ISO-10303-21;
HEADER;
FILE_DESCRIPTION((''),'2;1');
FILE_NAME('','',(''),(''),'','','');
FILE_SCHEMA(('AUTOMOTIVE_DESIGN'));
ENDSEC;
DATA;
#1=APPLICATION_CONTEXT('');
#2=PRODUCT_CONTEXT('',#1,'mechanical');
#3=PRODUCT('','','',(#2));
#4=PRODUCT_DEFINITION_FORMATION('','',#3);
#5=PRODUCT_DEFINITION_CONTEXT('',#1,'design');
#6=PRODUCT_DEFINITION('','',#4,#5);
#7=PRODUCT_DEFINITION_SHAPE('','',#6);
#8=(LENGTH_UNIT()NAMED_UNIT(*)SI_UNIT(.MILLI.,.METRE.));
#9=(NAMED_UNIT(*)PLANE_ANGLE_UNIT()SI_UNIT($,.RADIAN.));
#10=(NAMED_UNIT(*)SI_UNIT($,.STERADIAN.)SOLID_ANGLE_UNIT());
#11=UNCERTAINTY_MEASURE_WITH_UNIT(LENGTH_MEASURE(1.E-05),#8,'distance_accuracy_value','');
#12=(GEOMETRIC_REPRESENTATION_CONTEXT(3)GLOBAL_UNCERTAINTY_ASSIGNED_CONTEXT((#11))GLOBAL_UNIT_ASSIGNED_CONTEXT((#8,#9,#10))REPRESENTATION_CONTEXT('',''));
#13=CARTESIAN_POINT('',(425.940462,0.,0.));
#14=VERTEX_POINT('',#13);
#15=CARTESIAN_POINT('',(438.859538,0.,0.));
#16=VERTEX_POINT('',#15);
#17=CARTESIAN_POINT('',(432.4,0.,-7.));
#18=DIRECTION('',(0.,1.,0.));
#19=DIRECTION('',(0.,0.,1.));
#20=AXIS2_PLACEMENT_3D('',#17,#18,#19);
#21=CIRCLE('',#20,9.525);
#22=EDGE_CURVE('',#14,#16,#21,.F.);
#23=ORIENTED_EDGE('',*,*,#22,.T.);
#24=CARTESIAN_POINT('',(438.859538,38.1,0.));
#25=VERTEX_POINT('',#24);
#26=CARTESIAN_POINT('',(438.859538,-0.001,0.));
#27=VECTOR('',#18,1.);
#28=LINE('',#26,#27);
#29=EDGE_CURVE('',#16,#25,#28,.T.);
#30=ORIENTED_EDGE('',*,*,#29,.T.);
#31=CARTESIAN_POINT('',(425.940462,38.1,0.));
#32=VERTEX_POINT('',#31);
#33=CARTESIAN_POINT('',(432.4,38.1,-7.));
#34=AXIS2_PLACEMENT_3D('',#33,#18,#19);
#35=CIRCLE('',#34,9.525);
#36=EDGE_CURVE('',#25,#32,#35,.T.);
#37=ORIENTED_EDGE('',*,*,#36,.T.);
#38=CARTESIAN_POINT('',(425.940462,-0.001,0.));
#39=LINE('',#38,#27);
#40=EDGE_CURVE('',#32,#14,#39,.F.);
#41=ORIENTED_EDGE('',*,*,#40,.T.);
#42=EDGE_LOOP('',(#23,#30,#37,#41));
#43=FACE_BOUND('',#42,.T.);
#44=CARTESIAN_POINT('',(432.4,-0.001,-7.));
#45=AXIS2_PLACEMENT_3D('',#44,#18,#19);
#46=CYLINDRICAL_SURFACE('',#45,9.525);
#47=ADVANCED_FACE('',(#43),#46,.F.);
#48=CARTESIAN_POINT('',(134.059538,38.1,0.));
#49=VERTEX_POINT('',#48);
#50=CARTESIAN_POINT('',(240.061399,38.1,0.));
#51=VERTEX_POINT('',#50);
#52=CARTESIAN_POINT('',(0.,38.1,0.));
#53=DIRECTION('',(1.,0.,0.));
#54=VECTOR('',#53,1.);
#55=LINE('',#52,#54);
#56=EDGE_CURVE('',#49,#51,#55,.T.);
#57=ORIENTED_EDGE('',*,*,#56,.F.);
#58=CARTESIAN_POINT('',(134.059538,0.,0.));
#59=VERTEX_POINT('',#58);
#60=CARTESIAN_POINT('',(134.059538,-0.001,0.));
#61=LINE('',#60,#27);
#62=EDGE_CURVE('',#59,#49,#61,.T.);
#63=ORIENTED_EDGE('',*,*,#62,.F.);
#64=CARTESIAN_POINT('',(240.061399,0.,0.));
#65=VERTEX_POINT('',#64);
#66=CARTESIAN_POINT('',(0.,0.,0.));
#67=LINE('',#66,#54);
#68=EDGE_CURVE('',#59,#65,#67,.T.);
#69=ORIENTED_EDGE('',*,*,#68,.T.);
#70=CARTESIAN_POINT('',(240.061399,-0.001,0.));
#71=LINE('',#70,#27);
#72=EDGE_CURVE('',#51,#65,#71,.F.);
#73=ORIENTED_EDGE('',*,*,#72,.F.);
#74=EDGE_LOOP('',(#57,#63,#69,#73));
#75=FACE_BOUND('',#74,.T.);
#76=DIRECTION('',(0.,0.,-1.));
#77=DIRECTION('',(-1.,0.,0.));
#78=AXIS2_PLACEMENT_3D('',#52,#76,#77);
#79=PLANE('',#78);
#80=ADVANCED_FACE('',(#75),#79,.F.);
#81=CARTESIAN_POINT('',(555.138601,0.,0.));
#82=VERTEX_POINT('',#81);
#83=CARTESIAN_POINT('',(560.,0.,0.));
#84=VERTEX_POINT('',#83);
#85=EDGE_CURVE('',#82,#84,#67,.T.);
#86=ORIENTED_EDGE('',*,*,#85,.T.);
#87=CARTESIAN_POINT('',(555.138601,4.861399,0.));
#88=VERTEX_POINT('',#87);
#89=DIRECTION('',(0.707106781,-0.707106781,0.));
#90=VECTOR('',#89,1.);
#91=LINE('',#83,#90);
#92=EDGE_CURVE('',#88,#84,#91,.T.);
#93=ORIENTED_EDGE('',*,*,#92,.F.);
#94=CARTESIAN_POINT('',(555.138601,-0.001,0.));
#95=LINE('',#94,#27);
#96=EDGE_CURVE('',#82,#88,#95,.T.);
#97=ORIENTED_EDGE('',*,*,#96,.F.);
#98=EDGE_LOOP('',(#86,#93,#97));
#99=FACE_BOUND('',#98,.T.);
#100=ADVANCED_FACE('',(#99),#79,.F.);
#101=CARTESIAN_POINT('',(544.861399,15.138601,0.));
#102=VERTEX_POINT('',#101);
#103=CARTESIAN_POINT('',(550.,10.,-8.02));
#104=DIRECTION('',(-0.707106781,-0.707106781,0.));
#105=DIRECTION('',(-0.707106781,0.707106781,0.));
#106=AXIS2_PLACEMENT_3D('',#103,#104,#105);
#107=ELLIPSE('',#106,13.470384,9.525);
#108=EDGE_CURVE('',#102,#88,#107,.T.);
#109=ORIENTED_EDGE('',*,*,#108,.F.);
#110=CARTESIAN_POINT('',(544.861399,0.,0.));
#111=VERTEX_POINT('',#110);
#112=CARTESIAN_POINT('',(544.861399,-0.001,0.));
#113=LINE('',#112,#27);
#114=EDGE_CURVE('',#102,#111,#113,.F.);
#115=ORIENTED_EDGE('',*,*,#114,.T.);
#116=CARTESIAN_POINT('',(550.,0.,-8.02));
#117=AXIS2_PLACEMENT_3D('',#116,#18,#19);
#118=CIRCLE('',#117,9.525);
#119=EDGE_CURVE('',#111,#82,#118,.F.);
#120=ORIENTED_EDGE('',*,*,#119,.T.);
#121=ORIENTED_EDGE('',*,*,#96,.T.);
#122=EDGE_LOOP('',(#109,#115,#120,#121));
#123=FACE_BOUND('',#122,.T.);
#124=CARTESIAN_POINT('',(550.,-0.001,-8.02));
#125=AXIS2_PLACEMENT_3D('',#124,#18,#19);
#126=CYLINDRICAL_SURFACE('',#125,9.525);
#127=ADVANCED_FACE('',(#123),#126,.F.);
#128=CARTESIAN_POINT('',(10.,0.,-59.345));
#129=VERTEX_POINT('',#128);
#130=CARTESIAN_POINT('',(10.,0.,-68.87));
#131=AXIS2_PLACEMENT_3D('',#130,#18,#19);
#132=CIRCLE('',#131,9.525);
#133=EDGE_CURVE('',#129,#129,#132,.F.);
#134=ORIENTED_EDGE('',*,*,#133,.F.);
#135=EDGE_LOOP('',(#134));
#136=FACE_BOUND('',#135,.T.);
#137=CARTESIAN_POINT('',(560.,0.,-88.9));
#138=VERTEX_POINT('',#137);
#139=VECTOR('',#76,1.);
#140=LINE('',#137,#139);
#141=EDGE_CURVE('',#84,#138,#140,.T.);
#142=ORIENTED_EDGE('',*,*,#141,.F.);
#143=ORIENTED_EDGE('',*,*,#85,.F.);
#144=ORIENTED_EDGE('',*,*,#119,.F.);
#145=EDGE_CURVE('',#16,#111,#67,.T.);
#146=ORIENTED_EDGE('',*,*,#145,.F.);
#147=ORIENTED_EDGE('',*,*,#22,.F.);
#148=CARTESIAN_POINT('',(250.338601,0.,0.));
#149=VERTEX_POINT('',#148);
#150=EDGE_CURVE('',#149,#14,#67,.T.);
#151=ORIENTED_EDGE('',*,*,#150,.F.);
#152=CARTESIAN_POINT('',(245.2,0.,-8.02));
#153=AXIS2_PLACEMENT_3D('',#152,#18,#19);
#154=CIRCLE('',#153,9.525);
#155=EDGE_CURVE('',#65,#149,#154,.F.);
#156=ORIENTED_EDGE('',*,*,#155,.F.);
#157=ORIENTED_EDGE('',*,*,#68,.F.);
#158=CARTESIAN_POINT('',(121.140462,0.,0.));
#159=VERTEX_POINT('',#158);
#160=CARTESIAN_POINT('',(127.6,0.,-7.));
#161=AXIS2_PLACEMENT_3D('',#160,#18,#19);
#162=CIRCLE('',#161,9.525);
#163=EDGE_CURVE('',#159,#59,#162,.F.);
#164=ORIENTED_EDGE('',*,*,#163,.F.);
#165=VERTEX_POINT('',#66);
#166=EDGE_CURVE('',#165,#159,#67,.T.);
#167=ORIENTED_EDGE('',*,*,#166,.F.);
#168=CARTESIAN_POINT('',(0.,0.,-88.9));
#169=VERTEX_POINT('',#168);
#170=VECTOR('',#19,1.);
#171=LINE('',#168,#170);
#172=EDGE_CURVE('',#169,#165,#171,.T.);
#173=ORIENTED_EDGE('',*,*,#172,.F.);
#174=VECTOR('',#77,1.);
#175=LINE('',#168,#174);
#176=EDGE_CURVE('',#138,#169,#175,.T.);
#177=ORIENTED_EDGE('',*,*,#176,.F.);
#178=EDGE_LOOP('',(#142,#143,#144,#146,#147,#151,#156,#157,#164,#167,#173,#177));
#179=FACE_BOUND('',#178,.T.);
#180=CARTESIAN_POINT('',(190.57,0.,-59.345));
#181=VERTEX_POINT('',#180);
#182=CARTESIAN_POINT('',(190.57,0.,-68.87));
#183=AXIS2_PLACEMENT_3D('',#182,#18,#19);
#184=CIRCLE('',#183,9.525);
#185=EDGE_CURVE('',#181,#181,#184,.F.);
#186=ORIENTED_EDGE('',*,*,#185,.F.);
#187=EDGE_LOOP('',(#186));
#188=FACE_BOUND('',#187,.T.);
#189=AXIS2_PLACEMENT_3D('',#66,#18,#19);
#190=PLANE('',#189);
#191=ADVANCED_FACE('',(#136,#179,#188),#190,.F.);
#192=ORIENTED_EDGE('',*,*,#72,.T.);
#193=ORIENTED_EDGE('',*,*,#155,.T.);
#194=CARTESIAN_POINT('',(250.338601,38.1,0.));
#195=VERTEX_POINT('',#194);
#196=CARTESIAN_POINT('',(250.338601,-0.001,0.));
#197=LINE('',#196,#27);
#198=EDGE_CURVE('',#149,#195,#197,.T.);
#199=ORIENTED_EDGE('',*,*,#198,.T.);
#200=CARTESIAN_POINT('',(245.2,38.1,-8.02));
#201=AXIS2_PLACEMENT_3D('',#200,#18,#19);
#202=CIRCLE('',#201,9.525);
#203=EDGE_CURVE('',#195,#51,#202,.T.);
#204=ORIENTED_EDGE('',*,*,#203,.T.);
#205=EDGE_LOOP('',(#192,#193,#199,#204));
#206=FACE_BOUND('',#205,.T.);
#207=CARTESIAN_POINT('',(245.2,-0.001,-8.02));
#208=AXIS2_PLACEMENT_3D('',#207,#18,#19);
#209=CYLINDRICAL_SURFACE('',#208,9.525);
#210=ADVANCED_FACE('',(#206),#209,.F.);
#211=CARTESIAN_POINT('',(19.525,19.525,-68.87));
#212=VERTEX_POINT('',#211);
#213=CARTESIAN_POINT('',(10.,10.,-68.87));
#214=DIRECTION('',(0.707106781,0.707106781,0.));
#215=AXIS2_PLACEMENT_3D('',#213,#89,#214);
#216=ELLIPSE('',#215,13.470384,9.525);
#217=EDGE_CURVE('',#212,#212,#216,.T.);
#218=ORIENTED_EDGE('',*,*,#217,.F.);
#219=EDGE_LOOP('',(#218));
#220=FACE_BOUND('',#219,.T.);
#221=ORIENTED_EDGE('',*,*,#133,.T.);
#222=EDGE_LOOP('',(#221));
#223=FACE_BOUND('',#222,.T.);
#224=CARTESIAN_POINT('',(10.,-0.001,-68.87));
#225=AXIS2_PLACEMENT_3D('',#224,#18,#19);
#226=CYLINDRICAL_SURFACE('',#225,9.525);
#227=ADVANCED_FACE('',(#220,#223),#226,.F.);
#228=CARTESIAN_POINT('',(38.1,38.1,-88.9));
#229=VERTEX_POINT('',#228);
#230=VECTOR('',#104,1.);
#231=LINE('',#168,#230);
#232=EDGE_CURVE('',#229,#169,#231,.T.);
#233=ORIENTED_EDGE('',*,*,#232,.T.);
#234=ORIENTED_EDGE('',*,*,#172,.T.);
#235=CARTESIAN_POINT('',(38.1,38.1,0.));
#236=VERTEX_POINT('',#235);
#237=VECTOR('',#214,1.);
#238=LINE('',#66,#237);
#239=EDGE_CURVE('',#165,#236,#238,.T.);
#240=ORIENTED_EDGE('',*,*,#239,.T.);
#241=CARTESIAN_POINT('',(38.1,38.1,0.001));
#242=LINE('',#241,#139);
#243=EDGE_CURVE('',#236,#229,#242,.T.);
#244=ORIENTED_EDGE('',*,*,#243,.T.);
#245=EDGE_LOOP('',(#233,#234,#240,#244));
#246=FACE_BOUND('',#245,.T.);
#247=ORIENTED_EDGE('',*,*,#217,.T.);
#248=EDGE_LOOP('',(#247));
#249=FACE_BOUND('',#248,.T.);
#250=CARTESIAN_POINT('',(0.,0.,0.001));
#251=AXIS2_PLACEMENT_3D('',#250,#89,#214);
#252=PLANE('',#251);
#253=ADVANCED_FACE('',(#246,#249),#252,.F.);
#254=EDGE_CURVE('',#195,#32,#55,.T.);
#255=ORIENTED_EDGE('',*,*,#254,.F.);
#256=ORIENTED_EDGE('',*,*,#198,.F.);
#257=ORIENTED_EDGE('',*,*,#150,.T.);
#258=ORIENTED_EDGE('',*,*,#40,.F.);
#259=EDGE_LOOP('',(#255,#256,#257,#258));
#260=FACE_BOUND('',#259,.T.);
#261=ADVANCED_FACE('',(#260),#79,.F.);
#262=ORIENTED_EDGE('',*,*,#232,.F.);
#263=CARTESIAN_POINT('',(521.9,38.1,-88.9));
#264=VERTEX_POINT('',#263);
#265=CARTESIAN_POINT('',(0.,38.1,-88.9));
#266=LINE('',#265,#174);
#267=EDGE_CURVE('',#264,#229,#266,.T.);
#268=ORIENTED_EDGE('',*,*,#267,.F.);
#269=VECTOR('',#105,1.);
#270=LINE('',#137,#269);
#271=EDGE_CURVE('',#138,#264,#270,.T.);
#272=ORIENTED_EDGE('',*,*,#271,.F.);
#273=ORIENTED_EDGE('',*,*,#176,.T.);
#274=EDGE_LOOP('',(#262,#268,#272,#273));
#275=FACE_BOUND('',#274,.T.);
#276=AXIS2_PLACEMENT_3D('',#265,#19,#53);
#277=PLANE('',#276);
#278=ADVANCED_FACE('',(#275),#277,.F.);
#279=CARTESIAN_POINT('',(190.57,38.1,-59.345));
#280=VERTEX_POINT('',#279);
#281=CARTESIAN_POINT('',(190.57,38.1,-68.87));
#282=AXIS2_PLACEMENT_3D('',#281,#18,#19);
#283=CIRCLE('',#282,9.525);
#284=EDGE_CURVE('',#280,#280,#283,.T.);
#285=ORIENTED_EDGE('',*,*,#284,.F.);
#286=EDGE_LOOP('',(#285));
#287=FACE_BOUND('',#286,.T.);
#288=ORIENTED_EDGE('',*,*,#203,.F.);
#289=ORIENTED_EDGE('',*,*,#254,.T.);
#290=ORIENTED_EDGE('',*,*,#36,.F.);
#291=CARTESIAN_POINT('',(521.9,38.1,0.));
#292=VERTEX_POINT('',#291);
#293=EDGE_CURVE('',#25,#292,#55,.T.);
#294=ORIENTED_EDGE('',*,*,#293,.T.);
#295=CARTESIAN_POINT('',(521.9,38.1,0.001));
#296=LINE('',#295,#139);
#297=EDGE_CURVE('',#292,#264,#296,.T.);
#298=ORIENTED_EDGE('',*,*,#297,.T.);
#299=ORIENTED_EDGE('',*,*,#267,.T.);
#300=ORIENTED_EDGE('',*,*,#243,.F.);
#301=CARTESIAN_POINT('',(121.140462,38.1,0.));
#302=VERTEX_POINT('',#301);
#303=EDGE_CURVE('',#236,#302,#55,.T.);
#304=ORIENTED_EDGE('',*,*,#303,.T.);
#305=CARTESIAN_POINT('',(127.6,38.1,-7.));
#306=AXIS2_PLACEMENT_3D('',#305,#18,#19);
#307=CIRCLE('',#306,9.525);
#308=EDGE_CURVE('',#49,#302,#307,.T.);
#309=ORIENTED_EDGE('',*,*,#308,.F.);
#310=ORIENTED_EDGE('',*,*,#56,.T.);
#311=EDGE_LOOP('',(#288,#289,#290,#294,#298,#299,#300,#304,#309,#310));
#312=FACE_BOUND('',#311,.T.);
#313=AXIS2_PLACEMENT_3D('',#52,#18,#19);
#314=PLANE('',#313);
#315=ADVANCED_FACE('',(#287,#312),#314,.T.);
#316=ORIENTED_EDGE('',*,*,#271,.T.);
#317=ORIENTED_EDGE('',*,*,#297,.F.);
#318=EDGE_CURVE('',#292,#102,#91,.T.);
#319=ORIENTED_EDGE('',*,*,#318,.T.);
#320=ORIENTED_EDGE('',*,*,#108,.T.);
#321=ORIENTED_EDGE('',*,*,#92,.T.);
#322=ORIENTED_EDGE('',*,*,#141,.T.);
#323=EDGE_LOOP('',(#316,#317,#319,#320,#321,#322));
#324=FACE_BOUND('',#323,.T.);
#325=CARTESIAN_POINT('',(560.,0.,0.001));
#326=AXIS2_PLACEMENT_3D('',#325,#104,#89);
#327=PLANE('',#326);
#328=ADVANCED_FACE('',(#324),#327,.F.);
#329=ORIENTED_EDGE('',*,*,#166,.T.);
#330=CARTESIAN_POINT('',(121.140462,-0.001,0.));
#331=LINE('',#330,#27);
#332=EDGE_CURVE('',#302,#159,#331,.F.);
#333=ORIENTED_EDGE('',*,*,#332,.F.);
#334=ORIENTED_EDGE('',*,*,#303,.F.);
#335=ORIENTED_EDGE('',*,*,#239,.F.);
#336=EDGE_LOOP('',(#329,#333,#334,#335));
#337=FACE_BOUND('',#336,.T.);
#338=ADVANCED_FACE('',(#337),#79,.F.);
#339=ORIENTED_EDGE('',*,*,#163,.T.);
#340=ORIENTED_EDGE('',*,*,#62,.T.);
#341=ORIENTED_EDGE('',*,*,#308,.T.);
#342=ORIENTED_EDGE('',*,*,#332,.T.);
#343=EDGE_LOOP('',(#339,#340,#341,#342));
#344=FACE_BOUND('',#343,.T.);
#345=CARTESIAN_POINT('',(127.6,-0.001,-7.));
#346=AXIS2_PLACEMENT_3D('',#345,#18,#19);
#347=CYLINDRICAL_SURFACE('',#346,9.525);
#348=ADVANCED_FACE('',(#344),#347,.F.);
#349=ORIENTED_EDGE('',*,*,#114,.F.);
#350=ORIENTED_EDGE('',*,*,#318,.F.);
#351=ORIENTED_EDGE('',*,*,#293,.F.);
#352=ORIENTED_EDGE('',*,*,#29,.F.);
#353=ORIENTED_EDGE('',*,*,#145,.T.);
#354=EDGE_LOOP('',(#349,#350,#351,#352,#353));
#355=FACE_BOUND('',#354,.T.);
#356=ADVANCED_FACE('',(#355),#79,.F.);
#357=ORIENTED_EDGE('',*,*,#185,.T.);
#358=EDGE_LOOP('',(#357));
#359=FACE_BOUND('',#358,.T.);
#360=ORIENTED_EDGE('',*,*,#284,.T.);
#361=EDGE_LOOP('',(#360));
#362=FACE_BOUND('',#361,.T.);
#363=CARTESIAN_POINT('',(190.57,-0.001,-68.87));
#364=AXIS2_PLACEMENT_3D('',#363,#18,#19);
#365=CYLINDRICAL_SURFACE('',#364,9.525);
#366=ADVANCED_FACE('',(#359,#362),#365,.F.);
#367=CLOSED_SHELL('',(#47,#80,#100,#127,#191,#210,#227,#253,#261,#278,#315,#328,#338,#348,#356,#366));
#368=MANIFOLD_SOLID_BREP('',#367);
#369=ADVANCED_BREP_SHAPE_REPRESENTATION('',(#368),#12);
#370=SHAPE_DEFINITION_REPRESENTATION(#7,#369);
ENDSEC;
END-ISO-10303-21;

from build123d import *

# Parameters (mm, degrees)
SKETCH1_W                   = 560
SKETCH1_H                   = 88.9
BODY_DEPTH                  = 38.1
MOUNTING_HOLE_SPACING_REACH = 570.291
SKETCH2_R                   = 9.525
CUT_EXTRUDE1_REACH          = 570.291


with BuildPart() as part:
    # Sketch1 → Body (new body)
    with BuildSketch(Plane(origin=(0, 0, 0), x_dir=(1, 0, 0), z_dir=(0, 1, 0))):
        with Locations((280, 44.45)):
            Rectangle(SKETCH1_W, SKETCH1_H)
    extrude(amount=BODY_DEPTH)

    # Sketch2 → Mounting hole spacing (cut, up to next)
    with BuildSketch(Plane(origin=(0, 38.1, 0), x_dir=(1, 0, 0), z_dir=(0, 1, 0)), mode=Mode.PRIVATE) as mounting_hole_spacing_sk1:
        with Locations((127.6, 7)):
            Circle(SKETCH2_R)
    mounting_hole_spacing_tool1 = extrude(mounting_hole_spacing_sk1.sketch, amount=-MOUNTING_HOLE_SPACING_REACH, mode=Mode.PRIVATE) & part.part
    # Sketch2 → Mounting hole spacing (cut, up to next)
    with BuildSketch(Plane(origin=(0, 38.1, 0), x_dir=(1, 0, 0), z_dir=(0, 1, 0)), mode=Mode.PRIVATE) as mounting_hole_spacing_sk2:
        with Locations(Location((190.57, 68.87, 0), (0, 0, 270))):
            Circle(SKETCH2_R)
    mounting_hole_spacing_tool2 = extrude(mounting_hole_spacing_sk2.sketch, amount=-MOUNTING_HOLE_SPACING_REACH, mode=Mode.PRIVATE) & part.part
    # Sketch2 → Mounting hole spacing (cut, up to next)
    with BuildSketch(Plane(origin=(0, 38.1, 0), x_dir=(1, 0, 0), z_dir=(0, 1, 0)), mode=Mode.PRIVATE) as mounting_hole_spacing_sk3:
        with Locations(Location((10, 68.87, 0), (0, 0, 270))):
            Circle(SKETCH2_R)
    mounting_hole_spacing_tool3 = extrude(mounting_hole_spacing_sk3.sketch, amount=-MOUNTING_HOLE_SPACING_REACH, mode=Mode.PRIVATE) & part.part
    # Sketch2 → Mounting hole spacing (cut, up to next)
    with BuildSketch(Plane(origin=(0, 38.1, 0), x_dir=(1, 0, 0), z_dir=(0, 1, 0)), mode=Mode.PRIVATE) as mounting_hole_spacing_sk4:
        with Locations((245.2, 8.02)):
            Circle(SKETCH2_R)
    mounting_hole_spacing_tool4 = extrude(mounting_hole_spacing_sk4.sketch, amount=-MOUNTING_HOLE_SPACING_REACH, mode=Mode.PRIVATE) & part.part
    # Sketch2 → Mounting hole spacing (cut, up to next)
    with BuildSketch(Plane(origin=(0, 38.1, 0), x_dir=(1, 0, 0), z_dir=(0, 1, 0)), mode=Mode.PRIVATE) as mounting_hole_spacing_sk5:
        with Locations((550, 8.02)):
            Circle(SKETCH2_R)
    mounting_hole_spacing_tool5 = extrude(mounting_hole_spacing_sk5.sketch, amount=-MOUNTING_HOLE_SPACING_REACH, mode=Mode.PRIVATE) & part.part
    # Sketch2 → Mounting hole spacing (cut, up to next)
    with BuildSketch(Plane(origin=(0, 38.1, 0), x_dir=(1, 0, 0), z_dir=(0, 1, 0)), mode=Mode.PRIVATE) as mounting_hole_spacing_sk6:
        with Locations((432.4, 7)):
            Circle(SKETCH2_R)
    mounting_hole_spacing_tool6 = extrude(mounting_hole_spacing_sk6.sketch, amount=-MOUNTING_HOLE_SPACING_REACH, mode=Mode.PRIVATE) & part.part
    add(mounting_hole_spacing_tool1.solids().sort_by_distance((127.6, 38.1, -7))[0], mode=Mode.SUBTRACT)
    add(mounting_hole_spacing_tool2.solids().sort_by_distance((190.57, 38.1, -68.87))[0], mode=Mode.SUBTRACT)
    add(mounting_hole_spacing_tool3.solids().sort_by_distance((10, 38.1, -68.87))[0], mode=Mode.SUBTRACT)
    add(mounting_hole_spacing_tool4.solids().sort_by_distance((245.2, 38.1, -8.02))[0], mode=Mode.SUBTRACT)
    add(mounting_hole_spacing_tool5.solids().sort_by_distance((550, 38.1, -8.02))[0], mode=Mode.SUBTRACT)
    add(mounting_hole_spacing_tool6.solids().sort_by_distance((432.4, 38.1, -7))[0], mode=Mode.SUBTRACT)

    # Sketch3 → Cut-Extrude1 (cut, up to next)
    with BuildSketch(Plane(origin=(0, 0, -88.9), x_dir=(-1, 0, 0), z_dir=(0, 0, -1)), mode=Mode.PRIVATE) as cut_extrude1_sk1:
        Polygon((-560, 0), (-521.9, 38.1), (-560, 38.1), align=None)
    cut_extrude1_tool1 = extrude(cut_extrude1_sk1.sketch, amount=-CUT_EXTRUDE1_REACH, mode=Mode.PRIVATE) & part.part
    # Sketch3 → Cut-Extrude1 (cut, up to next)
    with BuildSketch(Plane(origin=(0, 0, -88.9), x_dir=(-1, 0, 0), z_dir=(0, 0, -1)), mode=Mode.PRIVATE) as cut_extrude1_sk2:
        Polygon((0, 38.1), (0, 0), (-38.1, 38.1), align=None)
    cut_extrude1_tool2 = extrude(cut_extrude1_sk2.sketch, amount=-CUT_EXTRUDE1_REACH, mode=Mode.PRIVATE) & part.part
    add(cut_extrude1_tool1.solids().sort_by_distance((547.3, 25.4, -88.9))[0], mode=Mode.SUBTRACT)
    add(cut_extrude1_tool2.solids().sort_by_distance((12.7, 25.4, -88.9))[0], mode=Mode.SUBTRACT)


solid = part.part
